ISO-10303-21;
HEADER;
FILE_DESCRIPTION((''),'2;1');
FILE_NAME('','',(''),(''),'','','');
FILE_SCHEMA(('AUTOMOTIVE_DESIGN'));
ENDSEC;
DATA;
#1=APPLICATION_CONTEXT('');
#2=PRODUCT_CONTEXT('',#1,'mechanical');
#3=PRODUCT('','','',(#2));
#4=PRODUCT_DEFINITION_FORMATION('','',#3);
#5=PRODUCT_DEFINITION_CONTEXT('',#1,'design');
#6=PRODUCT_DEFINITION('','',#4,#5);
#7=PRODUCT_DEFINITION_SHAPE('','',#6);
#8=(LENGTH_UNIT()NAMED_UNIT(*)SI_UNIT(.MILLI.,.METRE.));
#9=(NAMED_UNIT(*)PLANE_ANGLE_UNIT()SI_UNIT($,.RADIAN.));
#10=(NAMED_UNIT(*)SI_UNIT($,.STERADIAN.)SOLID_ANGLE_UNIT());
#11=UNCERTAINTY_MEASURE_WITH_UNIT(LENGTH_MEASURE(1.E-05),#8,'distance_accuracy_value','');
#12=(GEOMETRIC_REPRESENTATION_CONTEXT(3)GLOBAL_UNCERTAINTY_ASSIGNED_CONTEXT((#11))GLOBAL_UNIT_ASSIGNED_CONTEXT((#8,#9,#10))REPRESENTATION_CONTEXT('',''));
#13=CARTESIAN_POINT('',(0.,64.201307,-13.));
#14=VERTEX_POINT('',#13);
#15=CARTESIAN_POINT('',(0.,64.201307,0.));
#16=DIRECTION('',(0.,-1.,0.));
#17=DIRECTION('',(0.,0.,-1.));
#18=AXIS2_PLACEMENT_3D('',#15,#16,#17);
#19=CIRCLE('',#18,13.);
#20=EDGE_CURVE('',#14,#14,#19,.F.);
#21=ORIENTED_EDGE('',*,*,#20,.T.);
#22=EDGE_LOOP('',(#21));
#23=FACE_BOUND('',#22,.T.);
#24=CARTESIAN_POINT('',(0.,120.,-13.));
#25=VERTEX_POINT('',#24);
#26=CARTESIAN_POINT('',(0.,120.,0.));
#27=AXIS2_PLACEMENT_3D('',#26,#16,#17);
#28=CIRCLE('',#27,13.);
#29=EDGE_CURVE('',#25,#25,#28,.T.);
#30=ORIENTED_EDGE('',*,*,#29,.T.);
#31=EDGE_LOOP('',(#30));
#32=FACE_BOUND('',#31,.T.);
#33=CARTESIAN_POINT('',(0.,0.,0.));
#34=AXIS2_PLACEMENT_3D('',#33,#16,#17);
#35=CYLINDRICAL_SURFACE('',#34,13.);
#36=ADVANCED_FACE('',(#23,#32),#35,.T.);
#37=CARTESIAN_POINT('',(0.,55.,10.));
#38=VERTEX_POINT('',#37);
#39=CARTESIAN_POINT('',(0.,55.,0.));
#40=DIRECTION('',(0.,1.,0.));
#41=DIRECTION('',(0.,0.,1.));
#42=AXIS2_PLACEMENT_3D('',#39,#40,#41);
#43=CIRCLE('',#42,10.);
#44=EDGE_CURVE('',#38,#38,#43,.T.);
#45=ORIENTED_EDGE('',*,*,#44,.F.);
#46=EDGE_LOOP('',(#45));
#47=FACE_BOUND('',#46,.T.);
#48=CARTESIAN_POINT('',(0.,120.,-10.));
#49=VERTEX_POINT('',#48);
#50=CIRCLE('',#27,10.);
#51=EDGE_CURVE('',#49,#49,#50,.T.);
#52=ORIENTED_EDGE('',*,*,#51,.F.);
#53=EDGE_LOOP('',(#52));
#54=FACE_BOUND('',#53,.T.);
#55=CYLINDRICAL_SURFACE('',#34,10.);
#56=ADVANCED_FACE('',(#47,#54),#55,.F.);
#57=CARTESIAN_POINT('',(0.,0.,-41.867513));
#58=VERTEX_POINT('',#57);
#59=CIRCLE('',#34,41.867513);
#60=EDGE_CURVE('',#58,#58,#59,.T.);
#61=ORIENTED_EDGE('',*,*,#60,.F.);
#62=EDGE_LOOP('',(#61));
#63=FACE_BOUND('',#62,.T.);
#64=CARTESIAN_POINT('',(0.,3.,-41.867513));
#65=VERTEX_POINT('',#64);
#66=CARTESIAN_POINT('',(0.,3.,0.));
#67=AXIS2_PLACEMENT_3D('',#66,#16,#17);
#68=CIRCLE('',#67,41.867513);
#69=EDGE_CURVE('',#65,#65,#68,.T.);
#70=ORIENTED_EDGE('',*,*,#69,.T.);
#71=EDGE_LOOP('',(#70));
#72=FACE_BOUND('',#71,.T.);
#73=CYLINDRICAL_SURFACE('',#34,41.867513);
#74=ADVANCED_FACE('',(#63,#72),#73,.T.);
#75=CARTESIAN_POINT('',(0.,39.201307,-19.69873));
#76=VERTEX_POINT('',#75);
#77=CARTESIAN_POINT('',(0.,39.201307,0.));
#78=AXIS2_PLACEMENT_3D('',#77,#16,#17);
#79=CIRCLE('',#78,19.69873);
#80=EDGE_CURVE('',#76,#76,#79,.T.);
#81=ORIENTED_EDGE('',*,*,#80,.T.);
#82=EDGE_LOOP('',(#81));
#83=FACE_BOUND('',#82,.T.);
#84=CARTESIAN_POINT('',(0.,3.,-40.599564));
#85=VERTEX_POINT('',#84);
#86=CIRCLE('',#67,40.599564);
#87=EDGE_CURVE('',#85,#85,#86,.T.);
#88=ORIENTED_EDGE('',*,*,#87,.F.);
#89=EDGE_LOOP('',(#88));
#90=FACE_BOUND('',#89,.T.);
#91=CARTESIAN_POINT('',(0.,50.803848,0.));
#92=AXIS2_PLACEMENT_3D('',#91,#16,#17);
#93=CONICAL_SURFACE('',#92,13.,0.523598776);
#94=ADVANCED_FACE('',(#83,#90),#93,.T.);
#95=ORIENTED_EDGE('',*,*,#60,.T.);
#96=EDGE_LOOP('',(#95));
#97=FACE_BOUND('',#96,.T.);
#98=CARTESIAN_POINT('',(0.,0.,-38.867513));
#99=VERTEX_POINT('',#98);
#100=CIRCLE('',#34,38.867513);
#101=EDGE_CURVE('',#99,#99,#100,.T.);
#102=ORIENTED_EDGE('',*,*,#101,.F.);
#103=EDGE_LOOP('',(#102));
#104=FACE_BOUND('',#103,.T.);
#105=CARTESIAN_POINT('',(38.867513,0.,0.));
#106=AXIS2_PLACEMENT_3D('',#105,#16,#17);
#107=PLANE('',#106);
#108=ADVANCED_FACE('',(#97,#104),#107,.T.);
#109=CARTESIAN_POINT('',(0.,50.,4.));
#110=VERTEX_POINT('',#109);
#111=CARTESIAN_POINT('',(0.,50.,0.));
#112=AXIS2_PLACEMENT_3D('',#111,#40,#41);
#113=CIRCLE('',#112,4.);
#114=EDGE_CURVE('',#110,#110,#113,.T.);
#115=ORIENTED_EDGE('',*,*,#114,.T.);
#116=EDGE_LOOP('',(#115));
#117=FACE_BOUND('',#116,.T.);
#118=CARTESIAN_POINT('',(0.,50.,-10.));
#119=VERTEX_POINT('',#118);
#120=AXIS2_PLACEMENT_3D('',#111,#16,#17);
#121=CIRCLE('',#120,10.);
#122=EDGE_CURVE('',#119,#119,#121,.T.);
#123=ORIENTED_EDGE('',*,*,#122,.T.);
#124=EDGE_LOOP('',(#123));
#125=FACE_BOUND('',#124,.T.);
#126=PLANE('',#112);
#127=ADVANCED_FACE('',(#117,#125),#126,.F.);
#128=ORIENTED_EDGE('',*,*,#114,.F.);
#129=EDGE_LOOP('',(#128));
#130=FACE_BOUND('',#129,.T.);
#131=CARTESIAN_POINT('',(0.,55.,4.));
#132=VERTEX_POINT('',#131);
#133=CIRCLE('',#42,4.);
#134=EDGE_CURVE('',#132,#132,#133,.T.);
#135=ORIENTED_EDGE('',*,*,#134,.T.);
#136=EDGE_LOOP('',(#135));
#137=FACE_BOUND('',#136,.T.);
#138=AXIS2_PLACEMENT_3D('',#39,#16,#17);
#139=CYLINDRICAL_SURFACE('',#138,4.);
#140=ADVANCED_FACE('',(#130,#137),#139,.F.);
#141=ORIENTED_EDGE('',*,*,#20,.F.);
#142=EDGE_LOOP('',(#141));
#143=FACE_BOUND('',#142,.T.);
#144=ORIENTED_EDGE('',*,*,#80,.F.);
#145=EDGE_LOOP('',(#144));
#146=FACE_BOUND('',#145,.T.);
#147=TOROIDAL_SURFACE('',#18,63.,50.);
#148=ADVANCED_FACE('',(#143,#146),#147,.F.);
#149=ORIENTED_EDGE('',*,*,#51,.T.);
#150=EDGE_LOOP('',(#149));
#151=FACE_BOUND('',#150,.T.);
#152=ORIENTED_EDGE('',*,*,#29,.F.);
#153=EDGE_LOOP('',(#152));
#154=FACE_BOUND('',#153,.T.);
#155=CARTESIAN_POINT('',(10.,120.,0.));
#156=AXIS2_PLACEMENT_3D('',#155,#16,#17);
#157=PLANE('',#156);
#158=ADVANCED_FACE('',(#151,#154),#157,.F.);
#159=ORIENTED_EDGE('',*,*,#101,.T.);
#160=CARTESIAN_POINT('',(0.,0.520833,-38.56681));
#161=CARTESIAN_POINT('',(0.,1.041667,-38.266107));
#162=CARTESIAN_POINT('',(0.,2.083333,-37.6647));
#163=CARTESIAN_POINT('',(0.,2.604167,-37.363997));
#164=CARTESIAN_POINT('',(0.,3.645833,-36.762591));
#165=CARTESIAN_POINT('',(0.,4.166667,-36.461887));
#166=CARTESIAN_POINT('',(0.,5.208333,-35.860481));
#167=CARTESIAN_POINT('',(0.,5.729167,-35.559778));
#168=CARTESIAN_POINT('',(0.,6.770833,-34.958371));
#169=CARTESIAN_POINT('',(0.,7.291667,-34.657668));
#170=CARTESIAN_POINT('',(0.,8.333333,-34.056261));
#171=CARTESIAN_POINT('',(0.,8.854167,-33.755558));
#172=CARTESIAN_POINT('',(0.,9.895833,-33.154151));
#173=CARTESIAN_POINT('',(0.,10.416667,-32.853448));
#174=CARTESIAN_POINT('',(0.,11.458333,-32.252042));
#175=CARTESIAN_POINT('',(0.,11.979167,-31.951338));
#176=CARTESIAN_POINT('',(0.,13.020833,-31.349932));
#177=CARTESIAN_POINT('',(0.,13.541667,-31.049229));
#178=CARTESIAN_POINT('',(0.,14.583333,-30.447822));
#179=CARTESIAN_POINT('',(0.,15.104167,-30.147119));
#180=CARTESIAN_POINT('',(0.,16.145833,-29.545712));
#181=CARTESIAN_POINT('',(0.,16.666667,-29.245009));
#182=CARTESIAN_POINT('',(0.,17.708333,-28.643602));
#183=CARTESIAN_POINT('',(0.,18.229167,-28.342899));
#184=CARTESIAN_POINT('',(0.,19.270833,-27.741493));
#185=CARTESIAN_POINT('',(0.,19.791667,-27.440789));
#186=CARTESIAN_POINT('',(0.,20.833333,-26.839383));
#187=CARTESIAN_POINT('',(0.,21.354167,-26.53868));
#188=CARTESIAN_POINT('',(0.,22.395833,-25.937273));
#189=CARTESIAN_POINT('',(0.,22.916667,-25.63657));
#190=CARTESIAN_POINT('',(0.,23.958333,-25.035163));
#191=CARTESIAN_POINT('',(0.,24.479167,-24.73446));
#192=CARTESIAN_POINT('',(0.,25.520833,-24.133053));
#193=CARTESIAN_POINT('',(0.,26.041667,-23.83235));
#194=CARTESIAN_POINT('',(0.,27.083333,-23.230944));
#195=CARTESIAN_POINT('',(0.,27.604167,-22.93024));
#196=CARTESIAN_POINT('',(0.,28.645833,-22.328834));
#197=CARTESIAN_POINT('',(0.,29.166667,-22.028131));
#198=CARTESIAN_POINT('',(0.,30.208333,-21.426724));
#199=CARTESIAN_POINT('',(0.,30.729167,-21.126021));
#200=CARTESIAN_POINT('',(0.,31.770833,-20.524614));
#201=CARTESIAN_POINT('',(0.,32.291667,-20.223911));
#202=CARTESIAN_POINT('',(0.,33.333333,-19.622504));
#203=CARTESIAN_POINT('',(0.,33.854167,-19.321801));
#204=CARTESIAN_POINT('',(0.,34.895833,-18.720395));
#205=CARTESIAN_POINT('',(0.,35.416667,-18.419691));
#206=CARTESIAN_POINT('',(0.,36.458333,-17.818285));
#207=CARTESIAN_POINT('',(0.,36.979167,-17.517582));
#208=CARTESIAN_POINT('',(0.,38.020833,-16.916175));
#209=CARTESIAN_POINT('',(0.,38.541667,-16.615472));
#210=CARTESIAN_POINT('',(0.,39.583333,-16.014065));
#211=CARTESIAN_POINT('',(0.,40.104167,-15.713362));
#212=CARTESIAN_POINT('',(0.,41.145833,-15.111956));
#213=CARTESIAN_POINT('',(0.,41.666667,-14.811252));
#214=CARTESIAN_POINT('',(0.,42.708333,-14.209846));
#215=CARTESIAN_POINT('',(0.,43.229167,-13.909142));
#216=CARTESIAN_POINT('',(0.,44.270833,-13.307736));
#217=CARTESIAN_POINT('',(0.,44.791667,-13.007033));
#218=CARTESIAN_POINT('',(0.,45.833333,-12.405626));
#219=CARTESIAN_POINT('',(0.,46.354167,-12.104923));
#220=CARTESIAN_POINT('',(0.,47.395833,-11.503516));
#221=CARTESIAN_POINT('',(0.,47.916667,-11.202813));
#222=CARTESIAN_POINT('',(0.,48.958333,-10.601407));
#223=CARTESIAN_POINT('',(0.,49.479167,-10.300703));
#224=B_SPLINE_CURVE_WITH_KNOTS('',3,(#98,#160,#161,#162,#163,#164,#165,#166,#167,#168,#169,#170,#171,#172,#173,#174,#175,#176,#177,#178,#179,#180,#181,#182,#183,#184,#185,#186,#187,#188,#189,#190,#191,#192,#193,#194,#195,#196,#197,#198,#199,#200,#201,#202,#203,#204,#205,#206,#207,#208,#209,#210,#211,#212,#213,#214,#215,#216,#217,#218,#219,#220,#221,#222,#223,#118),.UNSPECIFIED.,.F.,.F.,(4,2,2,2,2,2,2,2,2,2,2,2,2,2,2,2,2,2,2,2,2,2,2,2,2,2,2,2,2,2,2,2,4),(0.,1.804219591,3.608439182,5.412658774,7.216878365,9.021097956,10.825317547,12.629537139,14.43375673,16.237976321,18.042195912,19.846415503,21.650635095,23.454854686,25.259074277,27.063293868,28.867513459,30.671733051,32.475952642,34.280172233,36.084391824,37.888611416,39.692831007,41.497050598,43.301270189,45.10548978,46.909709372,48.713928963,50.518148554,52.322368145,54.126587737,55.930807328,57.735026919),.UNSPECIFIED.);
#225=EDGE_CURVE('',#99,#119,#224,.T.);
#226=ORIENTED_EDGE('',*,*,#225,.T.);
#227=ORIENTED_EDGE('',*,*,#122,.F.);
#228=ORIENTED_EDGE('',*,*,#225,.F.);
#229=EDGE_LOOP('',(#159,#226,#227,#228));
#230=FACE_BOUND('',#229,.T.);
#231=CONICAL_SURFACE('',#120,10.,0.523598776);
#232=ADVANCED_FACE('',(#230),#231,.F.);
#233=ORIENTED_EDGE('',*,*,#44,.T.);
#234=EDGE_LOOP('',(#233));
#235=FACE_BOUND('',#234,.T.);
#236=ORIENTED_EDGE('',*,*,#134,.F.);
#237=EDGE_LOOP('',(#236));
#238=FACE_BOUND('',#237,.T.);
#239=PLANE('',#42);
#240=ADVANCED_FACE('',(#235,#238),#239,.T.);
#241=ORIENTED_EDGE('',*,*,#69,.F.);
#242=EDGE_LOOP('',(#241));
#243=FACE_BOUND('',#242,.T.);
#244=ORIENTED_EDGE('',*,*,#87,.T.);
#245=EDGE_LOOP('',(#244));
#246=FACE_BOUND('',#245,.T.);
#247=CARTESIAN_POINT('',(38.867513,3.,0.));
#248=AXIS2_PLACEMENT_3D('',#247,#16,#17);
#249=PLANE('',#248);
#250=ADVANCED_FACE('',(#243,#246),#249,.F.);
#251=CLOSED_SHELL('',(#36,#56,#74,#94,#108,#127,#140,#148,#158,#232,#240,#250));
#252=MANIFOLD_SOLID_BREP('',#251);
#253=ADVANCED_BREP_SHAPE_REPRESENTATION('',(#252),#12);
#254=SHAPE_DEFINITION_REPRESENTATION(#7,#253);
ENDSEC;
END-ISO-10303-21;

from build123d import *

# Parameters (mm, degrees)
SKETCH_2_R      = 10
SKETCH_2_R_2    = 4
EXTRUDE_1_DEPTH = 5
FILLET_1_R      = 50


with BuildPart() as part:
    # 草图1 → 旋转-薄壁1 (revolve)
    with BuildSketch(Plane.XY, mode=Mode.PRIVATE) as revolve_1_sk:
        Polygon((10, 120), (10, 50), (38.867513459, 0), (41.867513459, 0), (41.867513459, 3), (40.599564267, 3), (13, 50.803847577), (13, 120), align=None)
    revolve(revolve_1_sk.sketch.rotate(Axis((0, 0, 0), (0, 1, 0)), 90), axis=Axis((0, 0, 0), (0, 1, 0)))

    # 草图2 → 凸台-拉伸1 (add)
    with BuildSketch(Plane(origin=(0, 50, 0), x_dir=(1, 0, 0), z_dir=(0, 1, 0))):
        with Locations(Location((0, 0, 0), (0, 0, 90))):
            Circle(SKETCH_2_R)
        with Locations(Location((0, 0, 0), (0, 0, 270))):
            Circle(SKETCH_2_R_2, mode=Mode.SUBTRACT)
    extrude(amount=EXTRUDE_1_DEPTH)

    # 圆角1
    fillet_1_edges = [part.edges().sort_by_distance(p)[0] for p in [
        (0, 50.803847577, 13),
    ]]
    fillet(fillet_1_edges, radius=FILLET_1_R)


solid = part.part
